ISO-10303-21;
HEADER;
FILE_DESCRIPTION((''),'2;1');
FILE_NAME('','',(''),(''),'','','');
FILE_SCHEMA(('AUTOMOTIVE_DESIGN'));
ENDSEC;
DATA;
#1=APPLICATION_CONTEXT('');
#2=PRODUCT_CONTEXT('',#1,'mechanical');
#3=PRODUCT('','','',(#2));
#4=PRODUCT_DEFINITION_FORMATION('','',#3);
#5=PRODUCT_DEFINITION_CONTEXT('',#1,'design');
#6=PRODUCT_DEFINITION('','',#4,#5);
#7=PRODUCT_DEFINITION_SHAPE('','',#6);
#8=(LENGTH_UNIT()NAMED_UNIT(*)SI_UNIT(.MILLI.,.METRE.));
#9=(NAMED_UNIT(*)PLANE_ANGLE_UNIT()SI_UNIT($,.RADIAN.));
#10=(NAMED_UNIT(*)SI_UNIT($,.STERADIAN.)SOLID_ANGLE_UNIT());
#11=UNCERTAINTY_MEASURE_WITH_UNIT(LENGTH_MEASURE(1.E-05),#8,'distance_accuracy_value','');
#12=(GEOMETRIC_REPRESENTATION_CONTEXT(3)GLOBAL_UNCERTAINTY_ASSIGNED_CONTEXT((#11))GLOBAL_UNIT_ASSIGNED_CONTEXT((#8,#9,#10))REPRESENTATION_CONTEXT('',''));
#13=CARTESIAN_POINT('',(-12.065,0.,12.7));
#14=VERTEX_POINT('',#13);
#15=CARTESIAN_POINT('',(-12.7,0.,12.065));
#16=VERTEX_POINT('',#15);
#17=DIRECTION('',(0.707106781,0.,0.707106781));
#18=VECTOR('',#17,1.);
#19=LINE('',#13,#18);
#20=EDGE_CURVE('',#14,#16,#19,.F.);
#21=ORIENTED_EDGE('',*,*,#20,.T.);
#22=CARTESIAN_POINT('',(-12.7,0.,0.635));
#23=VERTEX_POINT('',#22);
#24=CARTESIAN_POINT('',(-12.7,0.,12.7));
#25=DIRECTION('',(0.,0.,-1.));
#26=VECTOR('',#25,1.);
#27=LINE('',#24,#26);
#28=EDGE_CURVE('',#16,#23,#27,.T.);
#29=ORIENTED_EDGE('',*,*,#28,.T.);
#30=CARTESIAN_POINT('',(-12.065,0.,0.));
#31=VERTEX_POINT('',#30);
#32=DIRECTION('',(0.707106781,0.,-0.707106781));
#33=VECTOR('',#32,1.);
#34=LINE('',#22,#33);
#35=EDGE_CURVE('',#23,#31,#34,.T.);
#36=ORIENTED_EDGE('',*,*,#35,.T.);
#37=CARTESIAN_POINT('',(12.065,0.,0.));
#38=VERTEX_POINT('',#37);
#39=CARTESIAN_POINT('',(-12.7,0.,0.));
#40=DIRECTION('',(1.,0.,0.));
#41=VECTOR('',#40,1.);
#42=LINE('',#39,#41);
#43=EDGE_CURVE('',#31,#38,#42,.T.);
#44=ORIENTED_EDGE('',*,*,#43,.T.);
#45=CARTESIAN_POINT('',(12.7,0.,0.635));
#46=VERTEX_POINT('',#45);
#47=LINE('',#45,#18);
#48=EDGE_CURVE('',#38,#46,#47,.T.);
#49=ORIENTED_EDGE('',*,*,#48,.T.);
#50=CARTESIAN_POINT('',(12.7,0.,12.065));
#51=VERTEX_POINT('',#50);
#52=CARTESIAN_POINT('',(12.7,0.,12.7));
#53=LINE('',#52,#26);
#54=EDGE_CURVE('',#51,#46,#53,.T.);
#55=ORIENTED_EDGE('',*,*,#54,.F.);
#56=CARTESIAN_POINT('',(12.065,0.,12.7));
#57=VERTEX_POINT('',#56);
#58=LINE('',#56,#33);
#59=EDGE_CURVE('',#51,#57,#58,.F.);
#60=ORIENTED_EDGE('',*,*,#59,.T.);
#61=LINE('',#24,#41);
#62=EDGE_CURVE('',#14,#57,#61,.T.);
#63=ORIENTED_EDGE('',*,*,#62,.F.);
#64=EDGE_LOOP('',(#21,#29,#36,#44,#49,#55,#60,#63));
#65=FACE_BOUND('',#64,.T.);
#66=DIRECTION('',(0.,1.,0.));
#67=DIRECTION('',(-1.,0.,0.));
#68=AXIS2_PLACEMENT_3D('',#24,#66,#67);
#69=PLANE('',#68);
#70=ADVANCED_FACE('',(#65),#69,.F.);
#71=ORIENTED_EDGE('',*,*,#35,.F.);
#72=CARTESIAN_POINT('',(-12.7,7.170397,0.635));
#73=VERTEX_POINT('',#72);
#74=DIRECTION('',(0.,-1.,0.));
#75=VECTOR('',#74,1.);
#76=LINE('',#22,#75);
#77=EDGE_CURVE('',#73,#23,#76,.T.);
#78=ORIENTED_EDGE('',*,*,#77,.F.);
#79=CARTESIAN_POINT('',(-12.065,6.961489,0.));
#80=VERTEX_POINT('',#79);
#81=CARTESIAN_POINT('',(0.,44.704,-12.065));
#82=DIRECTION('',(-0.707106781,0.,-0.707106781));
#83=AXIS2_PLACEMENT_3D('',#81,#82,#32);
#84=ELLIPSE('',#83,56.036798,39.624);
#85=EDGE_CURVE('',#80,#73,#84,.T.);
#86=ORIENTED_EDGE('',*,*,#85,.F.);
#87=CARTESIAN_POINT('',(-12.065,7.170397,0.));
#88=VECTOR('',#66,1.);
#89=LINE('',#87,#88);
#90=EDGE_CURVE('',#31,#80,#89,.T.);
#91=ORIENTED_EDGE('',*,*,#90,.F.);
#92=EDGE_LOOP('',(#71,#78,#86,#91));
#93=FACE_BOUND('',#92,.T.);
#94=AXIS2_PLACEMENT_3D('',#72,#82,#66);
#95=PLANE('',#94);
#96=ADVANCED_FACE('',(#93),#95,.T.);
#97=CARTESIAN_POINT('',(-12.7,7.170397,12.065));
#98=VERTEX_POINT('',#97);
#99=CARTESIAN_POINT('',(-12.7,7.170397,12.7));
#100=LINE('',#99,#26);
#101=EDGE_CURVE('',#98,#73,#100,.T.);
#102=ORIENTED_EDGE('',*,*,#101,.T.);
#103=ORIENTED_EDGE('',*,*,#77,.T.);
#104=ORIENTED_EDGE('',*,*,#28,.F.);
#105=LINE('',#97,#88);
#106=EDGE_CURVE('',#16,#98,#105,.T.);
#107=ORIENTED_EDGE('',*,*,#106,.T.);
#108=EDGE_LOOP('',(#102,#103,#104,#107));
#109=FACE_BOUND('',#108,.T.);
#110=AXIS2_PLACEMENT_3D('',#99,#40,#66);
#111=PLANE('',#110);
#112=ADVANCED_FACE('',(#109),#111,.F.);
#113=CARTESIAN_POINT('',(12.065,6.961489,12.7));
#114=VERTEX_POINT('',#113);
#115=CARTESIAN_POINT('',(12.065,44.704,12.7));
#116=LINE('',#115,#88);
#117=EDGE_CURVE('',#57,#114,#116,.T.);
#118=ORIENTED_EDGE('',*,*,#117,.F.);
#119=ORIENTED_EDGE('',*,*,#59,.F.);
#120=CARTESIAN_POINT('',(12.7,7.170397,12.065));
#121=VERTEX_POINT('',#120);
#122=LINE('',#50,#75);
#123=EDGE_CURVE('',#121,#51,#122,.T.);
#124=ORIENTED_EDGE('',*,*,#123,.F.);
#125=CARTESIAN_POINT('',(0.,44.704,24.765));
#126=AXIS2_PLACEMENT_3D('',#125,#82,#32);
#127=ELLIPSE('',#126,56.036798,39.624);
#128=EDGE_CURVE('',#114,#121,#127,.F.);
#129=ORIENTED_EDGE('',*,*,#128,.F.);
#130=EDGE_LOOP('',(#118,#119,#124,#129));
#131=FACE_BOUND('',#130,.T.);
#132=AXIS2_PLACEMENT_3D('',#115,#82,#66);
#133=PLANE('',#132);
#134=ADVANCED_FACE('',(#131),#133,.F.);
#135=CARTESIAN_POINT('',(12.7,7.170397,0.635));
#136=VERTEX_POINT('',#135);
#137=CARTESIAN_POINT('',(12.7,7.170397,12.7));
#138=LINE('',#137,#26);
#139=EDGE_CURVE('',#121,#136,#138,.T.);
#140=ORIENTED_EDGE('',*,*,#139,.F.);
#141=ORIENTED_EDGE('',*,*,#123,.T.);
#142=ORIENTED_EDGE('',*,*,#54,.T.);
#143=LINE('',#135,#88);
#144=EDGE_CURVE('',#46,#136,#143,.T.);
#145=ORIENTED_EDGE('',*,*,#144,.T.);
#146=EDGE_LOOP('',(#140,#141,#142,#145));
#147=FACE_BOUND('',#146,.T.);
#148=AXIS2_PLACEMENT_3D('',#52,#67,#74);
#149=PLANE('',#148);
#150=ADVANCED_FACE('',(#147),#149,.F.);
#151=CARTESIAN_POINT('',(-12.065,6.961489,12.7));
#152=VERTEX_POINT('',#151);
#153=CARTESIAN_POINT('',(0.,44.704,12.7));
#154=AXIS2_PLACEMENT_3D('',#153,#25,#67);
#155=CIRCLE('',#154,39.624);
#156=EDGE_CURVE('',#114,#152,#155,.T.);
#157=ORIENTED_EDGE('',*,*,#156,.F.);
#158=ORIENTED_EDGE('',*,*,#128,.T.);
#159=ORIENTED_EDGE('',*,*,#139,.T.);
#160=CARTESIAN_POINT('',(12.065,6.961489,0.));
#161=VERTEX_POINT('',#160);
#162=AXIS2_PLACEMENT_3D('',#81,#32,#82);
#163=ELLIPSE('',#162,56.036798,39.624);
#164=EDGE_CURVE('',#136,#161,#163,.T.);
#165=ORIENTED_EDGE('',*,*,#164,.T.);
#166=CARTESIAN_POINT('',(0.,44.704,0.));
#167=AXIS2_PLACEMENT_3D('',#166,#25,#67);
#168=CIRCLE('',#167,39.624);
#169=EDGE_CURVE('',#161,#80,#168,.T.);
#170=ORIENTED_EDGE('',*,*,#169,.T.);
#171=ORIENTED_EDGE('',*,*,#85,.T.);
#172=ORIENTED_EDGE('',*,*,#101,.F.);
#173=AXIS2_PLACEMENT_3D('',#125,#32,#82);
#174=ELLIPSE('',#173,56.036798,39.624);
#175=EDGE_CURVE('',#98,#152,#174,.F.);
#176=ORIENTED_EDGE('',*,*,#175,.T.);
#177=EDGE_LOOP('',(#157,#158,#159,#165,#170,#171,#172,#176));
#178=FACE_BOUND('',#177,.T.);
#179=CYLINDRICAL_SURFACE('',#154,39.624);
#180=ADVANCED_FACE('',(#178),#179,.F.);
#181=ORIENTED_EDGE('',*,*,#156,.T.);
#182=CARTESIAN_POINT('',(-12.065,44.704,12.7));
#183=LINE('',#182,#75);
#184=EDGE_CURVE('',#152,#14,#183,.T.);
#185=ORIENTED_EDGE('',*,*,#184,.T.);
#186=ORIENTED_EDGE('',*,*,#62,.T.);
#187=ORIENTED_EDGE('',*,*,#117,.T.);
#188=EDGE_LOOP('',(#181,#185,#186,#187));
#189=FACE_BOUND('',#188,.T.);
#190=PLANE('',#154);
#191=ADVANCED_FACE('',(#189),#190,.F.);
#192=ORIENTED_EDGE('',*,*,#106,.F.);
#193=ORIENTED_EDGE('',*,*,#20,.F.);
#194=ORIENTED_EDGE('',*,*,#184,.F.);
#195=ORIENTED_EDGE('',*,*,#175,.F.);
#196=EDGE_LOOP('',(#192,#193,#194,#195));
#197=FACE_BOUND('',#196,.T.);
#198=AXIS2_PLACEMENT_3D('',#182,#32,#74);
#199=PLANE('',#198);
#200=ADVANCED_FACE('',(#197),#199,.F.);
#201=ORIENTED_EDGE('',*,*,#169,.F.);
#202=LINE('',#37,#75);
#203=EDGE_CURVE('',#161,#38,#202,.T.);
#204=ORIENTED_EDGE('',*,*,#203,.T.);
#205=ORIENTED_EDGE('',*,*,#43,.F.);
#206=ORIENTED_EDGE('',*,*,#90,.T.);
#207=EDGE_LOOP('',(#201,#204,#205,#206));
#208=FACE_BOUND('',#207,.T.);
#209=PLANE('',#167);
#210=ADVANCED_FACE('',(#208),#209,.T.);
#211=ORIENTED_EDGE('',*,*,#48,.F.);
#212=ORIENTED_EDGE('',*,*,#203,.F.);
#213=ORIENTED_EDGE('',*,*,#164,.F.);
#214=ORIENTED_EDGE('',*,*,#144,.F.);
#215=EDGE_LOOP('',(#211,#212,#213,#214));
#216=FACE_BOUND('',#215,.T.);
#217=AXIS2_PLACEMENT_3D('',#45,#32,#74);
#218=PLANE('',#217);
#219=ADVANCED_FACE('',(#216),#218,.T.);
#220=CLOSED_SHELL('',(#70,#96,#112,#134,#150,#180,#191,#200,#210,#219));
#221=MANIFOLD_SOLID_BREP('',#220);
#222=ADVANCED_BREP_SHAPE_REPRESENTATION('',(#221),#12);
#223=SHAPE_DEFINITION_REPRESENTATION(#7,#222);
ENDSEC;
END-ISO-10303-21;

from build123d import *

# Parameters (mm, degrees)
BOSS_EXTRUDE1_DEPTH = 12.7
CHAMFER1_SIZE       = 0.635


with BuildPart() as part:
    # Sketch1 → Boss-Extrude1 (new body)
    with BuildSketch(Plane.XY):
        with BuildLine():
            Line((-12.7, 7.170396709), (-12.7, 0))
            Line((-12.7, 0), (12.7, 0))
            Line((12.7, 0), (12.7, 7.170396709))
            ThreePointArc((12.7, 7.170396709), (0, 5.08), (-12.7, 7.170396709))
        make_face()
    extrude(amount=BOSS_EXTRUDE1_DEPTH)

    # Chamfer1
    chamfer1_edges = [part.edges().sort_by_distance(p)[0] for p in [
        (12.7, 3.585198355, 12.7),
        (12.7, 3.585198355, 0),
        (-12.7, 3.585198355, 0),
        (-12.7, 3.585198355, 12.7),
    ]]
    chamfer(chamfer1_edges, length=CHAMFER1_SIZE)


solid = part.part
